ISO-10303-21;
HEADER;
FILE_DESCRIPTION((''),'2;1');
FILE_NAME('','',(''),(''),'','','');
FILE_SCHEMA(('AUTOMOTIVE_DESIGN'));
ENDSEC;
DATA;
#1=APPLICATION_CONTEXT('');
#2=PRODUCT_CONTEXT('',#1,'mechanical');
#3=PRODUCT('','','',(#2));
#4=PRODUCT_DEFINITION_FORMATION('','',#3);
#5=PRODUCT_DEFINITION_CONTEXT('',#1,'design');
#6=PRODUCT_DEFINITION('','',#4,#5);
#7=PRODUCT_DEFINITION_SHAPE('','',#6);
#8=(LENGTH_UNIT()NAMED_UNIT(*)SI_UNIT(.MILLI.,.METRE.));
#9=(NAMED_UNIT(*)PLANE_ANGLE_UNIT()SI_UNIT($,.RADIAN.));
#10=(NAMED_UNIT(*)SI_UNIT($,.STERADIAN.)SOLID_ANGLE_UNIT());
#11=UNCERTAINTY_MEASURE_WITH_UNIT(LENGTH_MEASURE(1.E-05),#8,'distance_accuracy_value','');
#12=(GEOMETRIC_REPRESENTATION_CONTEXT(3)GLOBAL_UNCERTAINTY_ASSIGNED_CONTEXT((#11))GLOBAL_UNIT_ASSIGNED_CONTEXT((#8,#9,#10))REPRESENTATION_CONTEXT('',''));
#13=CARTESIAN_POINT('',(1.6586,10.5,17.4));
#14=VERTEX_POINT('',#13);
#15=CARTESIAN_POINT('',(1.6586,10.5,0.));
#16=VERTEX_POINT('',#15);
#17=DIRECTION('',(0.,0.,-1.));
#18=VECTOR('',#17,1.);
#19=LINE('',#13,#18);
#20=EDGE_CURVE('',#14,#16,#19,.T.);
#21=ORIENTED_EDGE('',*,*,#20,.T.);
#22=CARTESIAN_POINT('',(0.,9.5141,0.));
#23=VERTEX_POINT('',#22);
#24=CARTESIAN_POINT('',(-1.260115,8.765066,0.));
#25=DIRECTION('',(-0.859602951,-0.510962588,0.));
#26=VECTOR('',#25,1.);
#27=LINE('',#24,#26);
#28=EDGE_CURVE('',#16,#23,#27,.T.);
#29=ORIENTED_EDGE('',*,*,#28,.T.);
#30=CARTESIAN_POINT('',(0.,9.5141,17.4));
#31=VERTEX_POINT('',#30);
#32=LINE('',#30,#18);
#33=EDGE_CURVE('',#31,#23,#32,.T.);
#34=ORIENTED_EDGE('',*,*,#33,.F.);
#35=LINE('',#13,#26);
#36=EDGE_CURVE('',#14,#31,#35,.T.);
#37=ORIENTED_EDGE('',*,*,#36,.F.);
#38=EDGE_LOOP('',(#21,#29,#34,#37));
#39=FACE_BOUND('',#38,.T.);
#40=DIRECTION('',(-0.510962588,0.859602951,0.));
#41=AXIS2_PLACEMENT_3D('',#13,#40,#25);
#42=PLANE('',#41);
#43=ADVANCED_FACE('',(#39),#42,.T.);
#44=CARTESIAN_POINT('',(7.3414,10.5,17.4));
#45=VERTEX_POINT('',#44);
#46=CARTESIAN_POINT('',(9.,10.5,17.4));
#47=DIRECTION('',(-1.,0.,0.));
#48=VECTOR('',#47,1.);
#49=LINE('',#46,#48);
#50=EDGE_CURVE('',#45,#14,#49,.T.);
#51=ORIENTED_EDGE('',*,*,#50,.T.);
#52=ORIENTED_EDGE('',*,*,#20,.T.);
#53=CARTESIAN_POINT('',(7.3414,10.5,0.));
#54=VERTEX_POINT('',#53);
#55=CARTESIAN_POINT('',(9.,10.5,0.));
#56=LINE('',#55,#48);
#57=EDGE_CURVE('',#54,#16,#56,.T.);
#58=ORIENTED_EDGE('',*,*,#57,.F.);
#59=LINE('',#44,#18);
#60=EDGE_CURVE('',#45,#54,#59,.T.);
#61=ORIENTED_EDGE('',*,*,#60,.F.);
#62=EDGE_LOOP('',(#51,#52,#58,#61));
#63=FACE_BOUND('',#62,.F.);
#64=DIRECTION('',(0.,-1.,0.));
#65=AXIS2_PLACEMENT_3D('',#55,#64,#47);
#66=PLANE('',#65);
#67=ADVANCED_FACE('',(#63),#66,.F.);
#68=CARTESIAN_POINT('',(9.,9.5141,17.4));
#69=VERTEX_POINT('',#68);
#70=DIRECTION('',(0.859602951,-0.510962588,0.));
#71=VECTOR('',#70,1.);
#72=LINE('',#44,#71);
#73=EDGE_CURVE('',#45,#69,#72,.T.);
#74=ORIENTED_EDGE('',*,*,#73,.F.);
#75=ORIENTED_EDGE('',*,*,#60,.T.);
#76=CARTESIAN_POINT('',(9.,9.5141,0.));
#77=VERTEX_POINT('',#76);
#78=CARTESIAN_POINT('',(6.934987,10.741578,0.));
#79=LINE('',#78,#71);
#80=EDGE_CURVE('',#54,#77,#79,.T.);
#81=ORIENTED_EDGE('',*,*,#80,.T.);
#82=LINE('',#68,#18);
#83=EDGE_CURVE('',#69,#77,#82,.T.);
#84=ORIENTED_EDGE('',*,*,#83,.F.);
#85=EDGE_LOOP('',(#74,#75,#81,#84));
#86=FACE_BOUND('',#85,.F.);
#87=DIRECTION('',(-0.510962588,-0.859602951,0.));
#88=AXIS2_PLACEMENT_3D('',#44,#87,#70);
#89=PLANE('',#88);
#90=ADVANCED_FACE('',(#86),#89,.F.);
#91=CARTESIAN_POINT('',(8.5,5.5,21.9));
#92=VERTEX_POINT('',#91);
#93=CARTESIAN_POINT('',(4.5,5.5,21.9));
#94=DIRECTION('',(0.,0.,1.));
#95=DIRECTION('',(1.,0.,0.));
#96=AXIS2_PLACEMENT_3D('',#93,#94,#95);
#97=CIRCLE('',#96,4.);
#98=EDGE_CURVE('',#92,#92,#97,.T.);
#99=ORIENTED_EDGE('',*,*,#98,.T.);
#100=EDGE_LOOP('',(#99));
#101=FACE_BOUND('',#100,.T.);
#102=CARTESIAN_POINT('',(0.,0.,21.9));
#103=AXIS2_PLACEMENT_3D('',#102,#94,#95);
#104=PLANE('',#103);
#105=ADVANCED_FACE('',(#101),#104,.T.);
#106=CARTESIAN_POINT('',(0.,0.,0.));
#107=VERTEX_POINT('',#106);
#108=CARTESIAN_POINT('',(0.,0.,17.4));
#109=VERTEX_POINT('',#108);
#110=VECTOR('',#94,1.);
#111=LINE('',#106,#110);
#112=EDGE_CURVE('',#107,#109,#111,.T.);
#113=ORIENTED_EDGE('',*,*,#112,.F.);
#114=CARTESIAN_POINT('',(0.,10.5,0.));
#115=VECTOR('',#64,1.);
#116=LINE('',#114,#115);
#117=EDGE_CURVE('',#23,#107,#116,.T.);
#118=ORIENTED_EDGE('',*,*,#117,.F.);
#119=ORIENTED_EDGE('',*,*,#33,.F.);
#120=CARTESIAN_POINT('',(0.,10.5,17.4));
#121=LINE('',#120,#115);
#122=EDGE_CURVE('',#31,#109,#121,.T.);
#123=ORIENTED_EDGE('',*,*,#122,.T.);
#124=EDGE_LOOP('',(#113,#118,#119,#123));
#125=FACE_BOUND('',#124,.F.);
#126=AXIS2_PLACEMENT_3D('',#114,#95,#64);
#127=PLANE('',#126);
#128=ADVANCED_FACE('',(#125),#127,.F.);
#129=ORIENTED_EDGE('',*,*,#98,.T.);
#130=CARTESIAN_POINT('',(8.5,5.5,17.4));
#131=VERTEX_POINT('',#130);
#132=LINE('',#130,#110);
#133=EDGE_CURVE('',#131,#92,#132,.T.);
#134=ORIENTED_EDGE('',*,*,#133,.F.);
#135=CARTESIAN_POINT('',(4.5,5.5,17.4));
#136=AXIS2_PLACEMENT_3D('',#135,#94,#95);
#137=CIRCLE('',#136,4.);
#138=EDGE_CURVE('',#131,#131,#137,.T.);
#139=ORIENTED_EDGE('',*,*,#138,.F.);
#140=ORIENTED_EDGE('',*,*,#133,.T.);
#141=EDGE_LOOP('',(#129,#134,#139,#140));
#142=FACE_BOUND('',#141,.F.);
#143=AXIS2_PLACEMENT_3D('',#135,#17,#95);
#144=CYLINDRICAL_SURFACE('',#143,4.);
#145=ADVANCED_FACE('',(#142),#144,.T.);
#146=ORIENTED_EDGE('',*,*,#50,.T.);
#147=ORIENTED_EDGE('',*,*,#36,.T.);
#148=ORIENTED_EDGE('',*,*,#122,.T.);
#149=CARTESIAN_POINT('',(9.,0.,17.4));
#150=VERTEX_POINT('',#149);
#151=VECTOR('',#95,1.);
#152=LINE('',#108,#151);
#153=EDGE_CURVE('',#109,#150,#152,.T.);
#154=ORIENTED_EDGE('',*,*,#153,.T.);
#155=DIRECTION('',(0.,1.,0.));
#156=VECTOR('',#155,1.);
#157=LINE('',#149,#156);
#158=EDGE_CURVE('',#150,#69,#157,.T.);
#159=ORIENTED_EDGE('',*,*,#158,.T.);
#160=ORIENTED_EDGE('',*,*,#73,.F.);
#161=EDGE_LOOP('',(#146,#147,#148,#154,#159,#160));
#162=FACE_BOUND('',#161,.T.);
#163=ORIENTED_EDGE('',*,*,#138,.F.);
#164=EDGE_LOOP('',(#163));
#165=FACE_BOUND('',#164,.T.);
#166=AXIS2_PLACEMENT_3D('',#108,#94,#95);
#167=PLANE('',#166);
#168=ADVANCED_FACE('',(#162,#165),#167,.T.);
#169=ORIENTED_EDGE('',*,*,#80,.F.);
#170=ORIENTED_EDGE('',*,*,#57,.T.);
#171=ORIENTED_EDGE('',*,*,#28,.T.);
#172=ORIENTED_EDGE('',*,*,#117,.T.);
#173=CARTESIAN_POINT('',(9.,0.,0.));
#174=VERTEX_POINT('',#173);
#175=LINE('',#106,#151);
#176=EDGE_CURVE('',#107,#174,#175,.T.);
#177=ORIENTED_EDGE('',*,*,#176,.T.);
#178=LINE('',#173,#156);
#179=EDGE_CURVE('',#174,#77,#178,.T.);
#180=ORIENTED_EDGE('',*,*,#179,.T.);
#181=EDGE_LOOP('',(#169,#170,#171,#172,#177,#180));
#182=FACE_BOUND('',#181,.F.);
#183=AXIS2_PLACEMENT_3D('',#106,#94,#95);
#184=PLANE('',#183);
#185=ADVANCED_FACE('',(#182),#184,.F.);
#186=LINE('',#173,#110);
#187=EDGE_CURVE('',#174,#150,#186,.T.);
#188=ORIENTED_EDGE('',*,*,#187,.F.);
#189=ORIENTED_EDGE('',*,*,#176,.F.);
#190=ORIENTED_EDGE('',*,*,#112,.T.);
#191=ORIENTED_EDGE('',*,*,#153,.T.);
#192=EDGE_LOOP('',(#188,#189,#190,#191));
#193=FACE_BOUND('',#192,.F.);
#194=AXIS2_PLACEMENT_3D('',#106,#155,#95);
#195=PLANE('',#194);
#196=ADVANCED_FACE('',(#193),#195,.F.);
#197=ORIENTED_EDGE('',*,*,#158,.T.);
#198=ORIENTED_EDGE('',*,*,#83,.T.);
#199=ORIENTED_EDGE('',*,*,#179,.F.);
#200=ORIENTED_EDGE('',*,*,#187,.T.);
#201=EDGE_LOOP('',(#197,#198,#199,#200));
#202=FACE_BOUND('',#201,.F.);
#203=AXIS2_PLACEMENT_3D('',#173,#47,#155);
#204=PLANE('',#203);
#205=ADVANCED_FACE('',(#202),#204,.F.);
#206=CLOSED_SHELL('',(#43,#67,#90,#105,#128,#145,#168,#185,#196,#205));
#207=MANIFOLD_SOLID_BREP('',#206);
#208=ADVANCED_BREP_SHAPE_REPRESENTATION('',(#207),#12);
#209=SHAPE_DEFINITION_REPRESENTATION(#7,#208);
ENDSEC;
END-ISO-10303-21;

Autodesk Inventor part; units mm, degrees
ref_plane "YZ Plane" through (0, 0, 0) normal (1, 0, 0) x (0, 1, 0)
ref_plane "XZ Plane" through (0, 0, 0) normal (0, 1, 0) x (-1, 0, 0)
ref_plane "XY Plane" through (0, 0, 0) normal (0, 0, 1) x (1, 0, 0)
sketch "Sketch1" plane through (0, 0, 0) normal (0, 0, 1) x (1, 0, 0)
  line L0 (0, 0) -> (9, 0)
  line L1 (9, 0) -> (9, 10.5)
  line L2 (9, 10.5) -> (0, 10.5)
  line L3 (0, 10.5) -> (0, 0)
  dimension "d0" = 9
  dimension "d1" = 10.5
extrude "Extrusion1" add sketch "Sketch1" along normal blind 17.4
sketch "Sketch2" plane through (0, 0, 17.4) normal (0, 0, 1) x (1, 0, 0)
  line L0 (9, 10.5) -> (0, 10.5) construction
  line L1 (4.5, 10.5) -> (4.5, 0) construction
  circle A0 centre (4.5, 5.5) radius 4
  point P0 (0, 0)
  dimension "d4" = 8
  dimension "d5" = 5
extrude "Extrusion2" add sketch "Sketch2" along normal blind 4.5
sketch "Sketch3" plane through (0, 0, 17.4) normal (0, 0, 1) x (1, 0, 0)
  line L0 (9, 10.5) -> (0, 10.5) construction
  line L1 (4.5, 10.5) -> (4.5, 0) construction
  line L2 (0, 0) -> (9, 0) construction
  line L3 (1.6586, 10.5) -> (0, 9.5141)
  line L4 (0, 10.5) -> (0, 0) projected
  line L5 (0, 9.5141) -> (0, 10.5)
  line L6 (0, 10.5) -> (1.6586, 10.5)
  line L7 (7.3414, 10.5) -> (9, 9.5141)
  line L8 (9, 9.5141) -> (9, 10.5)
  line L9 (9, 10.5) -> (7.3414, 10.5)
extrude "Extrusion3" cut sketch "Sketch3" against normal through all
properties part number "jack"
